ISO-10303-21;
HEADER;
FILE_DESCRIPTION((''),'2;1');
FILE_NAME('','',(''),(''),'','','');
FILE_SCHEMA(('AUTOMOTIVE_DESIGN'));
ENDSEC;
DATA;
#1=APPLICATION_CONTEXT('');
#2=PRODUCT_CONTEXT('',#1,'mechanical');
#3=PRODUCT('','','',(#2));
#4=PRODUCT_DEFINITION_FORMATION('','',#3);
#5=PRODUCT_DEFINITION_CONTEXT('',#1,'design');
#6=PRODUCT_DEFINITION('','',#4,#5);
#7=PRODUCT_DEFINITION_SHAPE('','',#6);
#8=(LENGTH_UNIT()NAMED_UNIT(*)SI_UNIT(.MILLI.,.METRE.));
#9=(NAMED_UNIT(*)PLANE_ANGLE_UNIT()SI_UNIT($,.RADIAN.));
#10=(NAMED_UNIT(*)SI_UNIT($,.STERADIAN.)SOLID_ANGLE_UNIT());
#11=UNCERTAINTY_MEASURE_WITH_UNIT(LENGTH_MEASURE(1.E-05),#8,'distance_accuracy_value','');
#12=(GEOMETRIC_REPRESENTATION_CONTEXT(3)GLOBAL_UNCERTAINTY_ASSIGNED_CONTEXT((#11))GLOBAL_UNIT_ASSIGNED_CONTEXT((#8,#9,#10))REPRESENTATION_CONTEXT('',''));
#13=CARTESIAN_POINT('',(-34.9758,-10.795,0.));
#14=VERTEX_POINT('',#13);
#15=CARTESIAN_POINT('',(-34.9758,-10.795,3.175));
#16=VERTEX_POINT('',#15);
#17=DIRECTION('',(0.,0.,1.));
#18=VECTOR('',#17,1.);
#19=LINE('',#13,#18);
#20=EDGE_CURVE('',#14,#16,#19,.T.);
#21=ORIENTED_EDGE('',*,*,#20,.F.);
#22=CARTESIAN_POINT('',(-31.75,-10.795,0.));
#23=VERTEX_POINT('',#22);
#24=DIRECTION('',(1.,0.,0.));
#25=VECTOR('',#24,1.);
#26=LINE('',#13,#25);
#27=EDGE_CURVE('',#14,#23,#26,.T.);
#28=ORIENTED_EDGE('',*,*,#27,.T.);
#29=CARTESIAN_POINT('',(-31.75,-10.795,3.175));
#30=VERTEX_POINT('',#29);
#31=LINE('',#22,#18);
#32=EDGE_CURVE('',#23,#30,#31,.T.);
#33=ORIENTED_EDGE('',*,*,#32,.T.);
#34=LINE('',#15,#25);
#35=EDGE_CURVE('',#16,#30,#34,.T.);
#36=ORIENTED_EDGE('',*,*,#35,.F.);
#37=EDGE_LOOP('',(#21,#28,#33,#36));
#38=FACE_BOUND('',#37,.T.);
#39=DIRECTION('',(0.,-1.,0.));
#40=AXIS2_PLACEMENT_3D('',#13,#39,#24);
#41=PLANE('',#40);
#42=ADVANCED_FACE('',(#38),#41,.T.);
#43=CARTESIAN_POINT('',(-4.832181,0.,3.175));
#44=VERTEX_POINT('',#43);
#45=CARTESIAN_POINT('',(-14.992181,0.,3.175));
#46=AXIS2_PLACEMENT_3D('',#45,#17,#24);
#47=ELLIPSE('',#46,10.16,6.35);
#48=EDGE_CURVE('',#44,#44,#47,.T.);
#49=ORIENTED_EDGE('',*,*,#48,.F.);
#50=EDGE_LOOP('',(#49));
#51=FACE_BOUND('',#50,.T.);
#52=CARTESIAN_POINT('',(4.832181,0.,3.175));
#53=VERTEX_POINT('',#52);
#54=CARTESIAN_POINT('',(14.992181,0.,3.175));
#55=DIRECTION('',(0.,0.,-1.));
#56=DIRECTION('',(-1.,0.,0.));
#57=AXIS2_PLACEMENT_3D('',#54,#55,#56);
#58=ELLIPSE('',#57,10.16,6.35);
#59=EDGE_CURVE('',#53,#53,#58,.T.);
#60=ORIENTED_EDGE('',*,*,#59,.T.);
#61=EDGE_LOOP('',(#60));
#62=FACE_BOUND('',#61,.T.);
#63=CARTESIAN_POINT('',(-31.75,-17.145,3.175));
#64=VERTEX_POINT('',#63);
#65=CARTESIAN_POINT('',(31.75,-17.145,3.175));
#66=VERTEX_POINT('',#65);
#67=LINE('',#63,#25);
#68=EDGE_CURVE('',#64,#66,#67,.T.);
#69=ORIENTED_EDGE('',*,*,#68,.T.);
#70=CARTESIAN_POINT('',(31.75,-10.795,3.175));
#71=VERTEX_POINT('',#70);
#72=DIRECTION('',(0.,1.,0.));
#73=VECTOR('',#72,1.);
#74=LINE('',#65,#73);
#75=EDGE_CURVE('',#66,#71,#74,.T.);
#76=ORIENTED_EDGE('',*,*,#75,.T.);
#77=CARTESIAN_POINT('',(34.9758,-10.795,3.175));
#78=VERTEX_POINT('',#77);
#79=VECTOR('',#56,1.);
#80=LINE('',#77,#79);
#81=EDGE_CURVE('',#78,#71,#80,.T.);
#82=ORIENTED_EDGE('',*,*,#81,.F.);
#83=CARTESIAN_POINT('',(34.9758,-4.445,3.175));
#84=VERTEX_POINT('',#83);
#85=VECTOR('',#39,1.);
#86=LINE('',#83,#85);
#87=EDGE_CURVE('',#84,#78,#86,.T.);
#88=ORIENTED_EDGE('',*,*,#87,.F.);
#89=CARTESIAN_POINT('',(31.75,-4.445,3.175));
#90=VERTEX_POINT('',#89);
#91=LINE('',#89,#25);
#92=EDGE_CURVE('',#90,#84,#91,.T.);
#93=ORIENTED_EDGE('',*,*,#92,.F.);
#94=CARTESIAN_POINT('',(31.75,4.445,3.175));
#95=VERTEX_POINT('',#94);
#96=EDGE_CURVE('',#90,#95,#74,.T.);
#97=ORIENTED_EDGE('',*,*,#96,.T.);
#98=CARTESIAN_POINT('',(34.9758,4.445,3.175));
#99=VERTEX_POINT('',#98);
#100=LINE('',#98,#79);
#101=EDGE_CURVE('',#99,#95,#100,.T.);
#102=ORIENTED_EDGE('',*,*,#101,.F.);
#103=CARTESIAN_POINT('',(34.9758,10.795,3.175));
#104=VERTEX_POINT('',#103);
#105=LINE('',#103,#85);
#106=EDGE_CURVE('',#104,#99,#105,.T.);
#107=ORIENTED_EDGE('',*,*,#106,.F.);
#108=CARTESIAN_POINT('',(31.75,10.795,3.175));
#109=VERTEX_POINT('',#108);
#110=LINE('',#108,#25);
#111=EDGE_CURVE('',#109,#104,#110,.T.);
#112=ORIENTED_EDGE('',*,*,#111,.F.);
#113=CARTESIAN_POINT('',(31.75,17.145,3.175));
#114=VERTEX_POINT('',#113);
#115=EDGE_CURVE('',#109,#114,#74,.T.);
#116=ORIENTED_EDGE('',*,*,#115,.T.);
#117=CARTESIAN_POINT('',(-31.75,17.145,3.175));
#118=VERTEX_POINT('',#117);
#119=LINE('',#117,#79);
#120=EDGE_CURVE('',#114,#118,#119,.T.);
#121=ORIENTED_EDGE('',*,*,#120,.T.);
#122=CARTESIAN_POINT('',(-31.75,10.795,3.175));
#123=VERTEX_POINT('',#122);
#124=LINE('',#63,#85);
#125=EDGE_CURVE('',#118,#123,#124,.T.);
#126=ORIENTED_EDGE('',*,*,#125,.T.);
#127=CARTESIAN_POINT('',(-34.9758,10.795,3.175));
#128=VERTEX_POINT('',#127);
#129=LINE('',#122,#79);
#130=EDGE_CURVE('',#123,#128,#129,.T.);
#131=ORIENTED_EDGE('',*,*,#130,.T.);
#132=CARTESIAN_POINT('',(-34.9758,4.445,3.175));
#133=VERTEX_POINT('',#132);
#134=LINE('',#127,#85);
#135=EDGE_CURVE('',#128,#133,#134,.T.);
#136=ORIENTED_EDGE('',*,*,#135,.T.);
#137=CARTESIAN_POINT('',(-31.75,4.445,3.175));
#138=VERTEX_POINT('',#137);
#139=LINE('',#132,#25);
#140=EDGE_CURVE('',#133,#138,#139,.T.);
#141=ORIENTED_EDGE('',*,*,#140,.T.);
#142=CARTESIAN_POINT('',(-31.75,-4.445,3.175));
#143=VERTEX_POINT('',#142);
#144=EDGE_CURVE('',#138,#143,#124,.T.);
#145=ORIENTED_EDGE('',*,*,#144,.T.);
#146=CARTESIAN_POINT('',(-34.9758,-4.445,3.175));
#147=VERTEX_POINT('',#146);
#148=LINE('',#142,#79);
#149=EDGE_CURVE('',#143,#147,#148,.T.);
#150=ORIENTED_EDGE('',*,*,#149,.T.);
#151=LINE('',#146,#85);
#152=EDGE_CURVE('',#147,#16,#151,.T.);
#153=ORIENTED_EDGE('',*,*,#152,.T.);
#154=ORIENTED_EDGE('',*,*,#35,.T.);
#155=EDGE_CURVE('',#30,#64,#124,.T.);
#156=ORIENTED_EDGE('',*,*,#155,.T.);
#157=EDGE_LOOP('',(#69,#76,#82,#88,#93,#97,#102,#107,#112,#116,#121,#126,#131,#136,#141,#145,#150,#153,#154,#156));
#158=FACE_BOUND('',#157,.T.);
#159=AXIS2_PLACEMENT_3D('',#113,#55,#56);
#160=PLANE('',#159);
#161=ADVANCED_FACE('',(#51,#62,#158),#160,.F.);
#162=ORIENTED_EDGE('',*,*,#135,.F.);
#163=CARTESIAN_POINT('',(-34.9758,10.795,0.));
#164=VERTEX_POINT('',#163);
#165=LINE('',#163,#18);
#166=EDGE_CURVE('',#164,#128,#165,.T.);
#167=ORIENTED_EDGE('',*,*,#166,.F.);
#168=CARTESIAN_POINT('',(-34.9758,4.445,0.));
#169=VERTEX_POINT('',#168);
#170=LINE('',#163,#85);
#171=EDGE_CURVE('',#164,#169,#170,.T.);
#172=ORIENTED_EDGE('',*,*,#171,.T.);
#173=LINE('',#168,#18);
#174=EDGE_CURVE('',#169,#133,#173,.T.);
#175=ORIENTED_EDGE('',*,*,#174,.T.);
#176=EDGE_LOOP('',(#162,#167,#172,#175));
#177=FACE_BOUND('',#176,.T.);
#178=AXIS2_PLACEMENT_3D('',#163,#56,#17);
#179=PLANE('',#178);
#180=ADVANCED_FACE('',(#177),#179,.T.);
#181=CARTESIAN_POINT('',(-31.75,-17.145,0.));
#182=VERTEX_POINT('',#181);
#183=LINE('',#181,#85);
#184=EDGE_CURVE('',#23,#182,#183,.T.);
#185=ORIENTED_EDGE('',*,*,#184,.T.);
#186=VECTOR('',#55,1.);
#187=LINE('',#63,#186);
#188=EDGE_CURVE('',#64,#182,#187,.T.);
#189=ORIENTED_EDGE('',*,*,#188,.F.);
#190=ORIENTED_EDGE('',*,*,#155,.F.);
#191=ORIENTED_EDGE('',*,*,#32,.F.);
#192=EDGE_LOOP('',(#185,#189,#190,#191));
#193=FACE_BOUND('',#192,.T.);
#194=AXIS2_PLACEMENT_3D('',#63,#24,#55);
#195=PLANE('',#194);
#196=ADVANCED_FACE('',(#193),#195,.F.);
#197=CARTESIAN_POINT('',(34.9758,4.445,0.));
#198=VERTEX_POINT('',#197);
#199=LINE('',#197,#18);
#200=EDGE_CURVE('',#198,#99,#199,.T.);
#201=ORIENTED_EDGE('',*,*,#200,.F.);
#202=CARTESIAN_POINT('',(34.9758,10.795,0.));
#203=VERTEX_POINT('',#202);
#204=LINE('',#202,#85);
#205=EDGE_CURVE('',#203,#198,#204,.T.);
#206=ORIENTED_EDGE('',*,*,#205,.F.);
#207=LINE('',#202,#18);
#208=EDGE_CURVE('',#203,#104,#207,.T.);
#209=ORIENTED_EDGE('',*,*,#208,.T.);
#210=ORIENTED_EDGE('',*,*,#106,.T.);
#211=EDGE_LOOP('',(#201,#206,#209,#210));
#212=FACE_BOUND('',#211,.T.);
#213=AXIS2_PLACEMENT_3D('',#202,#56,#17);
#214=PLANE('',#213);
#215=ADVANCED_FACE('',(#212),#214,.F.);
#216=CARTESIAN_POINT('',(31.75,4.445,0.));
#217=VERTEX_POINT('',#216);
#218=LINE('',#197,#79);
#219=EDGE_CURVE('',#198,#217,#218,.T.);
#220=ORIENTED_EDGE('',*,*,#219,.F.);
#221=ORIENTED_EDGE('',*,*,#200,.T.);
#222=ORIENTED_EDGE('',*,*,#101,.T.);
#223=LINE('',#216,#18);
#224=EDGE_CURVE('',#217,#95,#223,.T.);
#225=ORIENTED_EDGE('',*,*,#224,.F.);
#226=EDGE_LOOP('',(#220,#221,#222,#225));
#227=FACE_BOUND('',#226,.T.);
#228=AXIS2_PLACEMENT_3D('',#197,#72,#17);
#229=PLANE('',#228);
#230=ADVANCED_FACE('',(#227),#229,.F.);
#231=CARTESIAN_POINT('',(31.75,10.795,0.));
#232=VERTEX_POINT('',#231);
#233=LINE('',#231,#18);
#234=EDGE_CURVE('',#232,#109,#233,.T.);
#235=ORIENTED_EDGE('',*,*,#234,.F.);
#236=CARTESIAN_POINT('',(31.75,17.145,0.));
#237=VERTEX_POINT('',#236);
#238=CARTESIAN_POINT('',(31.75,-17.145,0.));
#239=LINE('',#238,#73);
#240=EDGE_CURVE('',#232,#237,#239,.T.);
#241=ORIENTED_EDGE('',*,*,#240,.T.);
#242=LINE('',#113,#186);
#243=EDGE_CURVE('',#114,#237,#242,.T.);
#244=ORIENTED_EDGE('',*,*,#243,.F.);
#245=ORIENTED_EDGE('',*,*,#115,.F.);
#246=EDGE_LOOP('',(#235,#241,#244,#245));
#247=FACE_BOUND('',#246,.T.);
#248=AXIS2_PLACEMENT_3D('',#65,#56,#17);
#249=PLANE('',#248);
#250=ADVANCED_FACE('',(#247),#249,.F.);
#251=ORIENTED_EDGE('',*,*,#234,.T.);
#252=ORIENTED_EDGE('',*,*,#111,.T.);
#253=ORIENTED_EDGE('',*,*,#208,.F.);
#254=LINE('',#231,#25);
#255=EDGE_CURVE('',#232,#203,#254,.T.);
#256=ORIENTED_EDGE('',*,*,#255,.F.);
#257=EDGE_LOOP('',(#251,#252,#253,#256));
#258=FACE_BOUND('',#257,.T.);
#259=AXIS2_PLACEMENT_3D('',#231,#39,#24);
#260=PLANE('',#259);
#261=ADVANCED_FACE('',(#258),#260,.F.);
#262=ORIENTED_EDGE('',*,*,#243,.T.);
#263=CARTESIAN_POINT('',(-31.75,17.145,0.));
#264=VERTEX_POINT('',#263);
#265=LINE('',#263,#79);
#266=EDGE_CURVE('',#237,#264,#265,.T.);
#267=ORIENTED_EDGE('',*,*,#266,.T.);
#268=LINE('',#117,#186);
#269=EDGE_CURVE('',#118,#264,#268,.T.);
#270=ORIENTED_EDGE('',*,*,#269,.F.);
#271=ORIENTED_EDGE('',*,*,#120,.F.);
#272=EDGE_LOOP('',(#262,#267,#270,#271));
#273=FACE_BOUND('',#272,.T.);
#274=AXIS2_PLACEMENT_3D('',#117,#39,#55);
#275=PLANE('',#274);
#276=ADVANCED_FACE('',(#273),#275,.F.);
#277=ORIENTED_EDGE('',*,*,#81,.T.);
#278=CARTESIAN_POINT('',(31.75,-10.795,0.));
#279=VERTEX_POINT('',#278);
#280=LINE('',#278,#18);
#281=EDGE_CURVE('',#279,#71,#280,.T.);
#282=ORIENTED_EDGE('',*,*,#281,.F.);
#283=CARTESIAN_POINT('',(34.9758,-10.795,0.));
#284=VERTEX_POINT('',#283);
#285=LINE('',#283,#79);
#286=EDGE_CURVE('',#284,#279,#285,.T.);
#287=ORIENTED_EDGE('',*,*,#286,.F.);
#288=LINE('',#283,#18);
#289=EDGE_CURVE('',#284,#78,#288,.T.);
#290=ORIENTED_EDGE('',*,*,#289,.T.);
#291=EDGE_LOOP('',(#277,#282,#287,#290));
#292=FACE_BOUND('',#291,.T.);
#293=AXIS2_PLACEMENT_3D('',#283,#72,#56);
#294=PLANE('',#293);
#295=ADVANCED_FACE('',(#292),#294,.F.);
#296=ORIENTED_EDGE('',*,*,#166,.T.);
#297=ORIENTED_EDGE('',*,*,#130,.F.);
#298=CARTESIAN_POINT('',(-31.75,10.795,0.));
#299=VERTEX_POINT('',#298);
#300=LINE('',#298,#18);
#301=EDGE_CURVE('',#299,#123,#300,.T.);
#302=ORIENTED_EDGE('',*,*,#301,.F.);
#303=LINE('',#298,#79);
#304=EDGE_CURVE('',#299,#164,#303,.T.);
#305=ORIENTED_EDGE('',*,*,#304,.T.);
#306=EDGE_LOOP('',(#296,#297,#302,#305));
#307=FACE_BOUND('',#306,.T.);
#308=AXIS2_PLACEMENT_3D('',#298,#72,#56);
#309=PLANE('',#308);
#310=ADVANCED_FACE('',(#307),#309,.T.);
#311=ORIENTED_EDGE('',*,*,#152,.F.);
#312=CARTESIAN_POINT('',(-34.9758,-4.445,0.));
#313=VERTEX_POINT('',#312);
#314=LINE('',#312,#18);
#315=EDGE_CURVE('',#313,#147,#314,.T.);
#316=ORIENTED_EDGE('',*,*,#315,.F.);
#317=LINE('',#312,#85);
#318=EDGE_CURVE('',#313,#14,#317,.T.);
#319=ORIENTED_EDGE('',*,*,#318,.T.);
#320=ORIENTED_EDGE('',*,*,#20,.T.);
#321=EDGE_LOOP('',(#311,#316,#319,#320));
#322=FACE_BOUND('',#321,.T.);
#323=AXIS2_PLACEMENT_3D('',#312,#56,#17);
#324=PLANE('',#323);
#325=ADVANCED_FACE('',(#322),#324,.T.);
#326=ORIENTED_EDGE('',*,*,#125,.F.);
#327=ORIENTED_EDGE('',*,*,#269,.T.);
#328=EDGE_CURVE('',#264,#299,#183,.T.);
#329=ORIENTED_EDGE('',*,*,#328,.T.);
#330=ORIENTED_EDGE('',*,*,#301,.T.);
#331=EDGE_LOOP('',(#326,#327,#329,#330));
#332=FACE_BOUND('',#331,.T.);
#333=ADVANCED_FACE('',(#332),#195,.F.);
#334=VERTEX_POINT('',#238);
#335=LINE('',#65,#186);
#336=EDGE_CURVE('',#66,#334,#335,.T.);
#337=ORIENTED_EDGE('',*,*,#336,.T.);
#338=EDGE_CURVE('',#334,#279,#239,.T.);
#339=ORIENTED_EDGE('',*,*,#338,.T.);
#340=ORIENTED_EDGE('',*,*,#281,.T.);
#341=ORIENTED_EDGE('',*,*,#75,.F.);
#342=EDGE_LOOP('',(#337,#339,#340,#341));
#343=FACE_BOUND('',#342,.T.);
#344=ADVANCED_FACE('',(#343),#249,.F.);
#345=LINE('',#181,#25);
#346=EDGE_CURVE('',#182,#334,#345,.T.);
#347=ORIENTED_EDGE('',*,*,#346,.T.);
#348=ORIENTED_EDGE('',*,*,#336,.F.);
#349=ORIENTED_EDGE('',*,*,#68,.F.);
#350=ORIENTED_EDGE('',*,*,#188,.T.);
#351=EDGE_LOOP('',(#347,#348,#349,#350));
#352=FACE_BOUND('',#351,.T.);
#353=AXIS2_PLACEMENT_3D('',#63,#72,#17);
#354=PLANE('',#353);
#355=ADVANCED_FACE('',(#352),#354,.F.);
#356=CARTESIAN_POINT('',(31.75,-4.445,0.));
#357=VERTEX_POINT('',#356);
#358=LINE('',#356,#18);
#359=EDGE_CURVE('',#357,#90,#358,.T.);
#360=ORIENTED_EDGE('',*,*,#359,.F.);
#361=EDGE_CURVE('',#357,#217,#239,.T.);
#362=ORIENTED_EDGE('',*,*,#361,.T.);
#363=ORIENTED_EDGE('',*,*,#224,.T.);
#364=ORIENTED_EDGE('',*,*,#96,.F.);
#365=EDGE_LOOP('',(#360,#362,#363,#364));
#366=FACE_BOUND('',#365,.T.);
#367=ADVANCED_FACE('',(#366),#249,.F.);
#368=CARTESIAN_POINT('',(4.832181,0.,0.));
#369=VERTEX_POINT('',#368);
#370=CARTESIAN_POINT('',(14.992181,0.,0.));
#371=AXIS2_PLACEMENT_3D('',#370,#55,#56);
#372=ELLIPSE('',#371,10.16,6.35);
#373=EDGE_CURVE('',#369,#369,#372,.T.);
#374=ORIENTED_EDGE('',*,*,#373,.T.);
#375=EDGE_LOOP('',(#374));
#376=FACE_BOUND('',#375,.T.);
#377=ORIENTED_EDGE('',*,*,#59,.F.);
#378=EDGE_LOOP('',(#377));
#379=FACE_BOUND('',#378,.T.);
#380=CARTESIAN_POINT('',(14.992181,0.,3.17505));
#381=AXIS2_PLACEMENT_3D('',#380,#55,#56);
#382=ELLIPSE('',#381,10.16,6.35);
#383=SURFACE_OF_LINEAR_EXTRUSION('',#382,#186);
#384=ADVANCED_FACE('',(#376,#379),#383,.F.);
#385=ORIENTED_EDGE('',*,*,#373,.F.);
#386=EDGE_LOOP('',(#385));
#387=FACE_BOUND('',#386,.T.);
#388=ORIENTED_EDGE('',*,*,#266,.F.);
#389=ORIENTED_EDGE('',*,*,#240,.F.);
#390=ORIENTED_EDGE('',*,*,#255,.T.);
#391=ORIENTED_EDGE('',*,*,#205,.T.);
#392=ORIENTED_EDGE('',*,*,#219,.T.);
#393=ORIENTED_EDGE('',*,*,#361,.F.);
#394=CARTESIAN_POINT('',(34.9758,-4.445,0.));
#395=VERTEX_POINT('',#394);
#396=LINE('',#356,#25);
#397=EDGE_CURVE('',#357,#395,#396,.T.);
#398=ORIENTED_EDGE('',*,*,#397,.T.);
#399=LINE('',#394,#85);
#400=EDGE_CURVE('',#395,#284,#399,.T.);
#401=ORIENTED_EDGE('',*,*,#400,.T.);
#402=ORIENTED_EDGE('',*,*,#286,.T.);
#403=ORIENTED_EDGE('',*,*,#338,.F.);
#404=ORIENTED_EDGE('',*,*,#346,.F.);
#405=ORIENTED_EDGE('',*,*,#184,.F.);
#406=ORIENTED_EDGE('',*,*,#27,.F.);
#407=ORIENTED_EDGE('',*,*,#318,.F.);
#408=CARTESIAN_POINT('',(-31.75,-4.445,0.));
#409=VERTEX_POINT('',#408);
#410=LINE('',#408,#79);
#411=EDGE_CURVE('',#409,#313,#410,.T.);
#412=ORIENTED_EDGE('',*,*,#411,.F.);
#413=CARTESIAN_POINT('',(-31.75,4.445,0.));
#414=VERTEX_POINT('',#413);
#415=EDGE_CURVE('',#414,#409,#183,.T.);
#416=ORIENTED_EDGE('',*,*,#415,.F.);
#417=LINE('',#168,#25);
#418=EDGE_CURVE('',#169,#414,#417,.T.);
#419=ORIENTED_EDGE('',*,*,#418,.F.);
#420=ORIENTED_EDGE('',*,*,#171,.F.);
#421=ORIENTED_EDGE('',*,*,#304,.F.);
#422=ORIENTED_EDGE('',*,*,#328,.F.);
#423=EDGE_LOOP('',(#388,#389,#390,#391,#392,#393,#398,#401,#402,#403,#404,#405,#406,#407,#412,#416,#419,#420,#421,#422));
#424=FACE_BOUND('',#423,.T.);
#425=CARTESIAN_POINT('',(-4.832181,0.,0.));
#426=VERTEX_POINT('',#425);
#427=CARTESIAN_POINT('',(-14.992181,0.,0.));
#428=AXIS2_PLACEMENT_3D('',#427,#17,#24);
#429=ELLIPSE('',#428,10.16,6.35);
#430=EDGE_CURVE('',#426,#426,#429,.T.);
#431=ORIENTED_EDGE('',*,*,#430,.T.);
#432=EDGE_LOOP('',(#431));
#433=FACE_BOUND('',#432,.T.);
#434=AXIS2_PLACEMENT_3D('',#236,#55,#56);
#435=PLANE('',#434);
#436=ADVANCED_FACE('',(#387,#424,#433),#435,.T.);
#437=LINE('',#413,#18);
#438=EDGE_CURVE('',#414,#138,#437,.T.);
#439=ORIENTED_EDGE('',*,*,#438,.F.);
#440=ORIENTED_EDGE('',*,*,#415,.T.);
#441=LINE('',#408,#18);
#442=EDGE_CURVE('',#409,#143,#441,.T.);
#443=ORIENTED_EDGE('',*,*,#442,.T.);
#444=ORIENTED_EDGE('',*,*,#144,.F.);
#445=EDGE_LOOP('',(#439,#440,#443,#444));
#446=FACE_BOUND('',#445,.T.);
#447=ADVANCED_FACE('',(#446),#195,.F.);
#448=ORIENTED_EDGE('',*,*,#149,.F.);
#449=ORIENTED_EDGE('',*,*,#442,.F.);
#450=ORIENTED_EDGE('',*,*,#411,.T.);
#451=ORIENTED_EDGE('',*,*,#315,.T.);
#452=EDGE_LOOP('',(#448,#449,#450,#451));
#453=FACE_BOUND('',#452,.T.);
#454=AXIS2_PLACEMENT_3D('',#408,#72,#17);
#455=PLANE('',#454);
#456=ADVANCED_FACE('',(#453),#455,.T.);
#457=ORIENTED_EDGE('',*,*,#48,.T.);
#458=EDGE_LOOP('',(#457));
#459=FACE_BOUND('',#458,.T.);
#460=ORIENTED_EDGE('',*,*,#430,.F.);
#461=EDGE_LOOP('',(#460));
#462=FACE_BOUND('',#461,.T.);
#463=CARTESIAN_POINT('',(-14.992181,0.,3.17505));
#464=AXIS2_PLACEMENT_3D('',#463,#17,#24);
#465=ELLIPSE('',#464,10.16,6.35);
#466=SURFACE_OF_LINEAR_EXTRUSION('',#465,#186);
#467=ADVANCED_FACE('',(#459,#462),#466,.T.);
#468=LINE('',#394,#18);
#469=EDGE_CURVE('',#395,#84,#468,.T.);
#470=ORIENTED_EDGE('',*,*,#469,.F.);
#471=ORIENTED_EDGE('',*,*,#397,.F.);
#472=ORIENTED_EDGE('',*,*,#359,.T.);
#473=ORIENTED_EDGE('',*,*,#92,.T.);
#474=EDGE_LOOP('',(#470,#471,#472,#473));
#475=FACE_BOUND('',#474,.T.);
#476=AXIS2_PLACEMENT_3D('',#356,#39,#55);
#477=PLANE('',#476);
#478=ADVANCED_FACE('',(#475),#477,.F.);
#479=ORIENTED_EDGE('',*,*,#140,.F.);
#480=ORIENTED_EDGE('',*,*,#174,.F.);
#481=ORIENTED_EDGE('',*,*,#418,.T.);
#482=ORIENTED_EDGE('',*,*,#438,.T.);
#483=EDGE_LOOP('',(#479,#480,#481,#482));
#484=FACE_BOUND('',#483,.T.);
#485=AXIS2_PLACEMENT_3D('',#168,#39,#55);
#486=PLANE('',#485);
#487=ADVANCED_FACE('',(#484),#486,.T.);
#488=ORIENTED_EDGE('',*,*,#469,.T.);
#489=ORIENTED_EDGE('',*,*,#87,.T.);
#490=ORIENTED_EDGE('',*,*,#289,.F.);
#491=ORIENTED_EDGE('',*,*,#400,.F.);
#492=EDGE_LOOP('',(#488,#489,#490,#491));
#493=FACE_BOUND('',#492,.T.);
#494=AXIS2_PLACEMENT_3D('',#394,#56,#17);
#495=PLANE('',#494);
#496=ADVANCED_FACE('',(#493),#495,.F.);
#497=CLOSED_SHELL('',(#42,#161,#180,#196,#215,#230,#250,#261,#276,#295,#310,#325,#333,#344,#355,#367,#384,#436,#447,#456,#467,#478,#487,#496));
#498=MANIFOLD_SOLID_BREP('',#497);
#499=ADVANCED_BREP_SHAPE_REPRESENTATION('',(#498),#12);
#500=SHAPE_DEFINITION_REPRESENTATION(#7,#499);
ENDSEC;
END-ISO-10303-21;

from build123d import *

# Parameters (mm, degrees)
SKETCH1_W                      = 63.5
SKETCH1_H                      = 34.29
BOSS_EXTRUDE1_DEPTH            = 3.175
SKETCH2_W                      = 3.2258
SKETCH2_H                      = 6.35
BOSS_EXTRUDE2_DEPTH            = 3.175
SKETCH3_RX                     = 10.16
SKETCH3_RY                     = 6.35
CUT_FOR_LIP_MOTOR_CABLES_DEPTH = 4.175


with BuildPart() as part:
    # Sketch1 → Boss-Extrude1 (new body)
    with BuildSketch(Plane.XY):
        Rectangle(SKETCH1_W, SKETCH1_H)
    extrude(amount=BOSS_EXTRUDE1_DEPTH)

    # Sketch2 → Boss-Extrude2 (add)
    with BuildSketch(Plane.XY.offset(3.175)):
        with Locations((-33.3629, 7.62)):
            Rectangle(SKETCH2_W, SKETCH2_H)
        with Locations((-33.3629, -7.62)):
            Rectangle(SKETCH2_W, SKETCH2_H)
    boss_extrude2 = extrude(amount=-BOSS_EXTRUDE2_DEPTH)

    # Mirror1: Boss-Extrude2 across plane
    add(boss_extrude2.mirror(Plane(origin=(0, 0, 0), x_dir=(0, 0, 1), z_dir=(1, 0, 0))))

    # Sketch3 → cut for lip motor cables (cut, through all)
    with BuildSketch(Plane(origin=(0, 0, 0), x_dir=(-1, 0, 0), z_dir=(0, 0, -1))):
        with Locations(Location((-14.992180724, 0), (0, 0, 180))):
            Ellipse(SKETCH3_RX, SKETCH3_RY)
    cut_for_lip_motor_cables = extrude(amount=-CUT_FOR_LIP_MOTOR_CABLES_DEPTH, mode=Mode.SUBTRACT)

    # Mirror2: cut for lip motor cables across plane
    add(cut_for_lip_motor_cables.mirror(Plane(origin=(0, 0, 0), x_dir=(0, 0, 1), z_dir=(1, 0, 0))), mode=Mode.SUBTRACT)


solid = part.part
